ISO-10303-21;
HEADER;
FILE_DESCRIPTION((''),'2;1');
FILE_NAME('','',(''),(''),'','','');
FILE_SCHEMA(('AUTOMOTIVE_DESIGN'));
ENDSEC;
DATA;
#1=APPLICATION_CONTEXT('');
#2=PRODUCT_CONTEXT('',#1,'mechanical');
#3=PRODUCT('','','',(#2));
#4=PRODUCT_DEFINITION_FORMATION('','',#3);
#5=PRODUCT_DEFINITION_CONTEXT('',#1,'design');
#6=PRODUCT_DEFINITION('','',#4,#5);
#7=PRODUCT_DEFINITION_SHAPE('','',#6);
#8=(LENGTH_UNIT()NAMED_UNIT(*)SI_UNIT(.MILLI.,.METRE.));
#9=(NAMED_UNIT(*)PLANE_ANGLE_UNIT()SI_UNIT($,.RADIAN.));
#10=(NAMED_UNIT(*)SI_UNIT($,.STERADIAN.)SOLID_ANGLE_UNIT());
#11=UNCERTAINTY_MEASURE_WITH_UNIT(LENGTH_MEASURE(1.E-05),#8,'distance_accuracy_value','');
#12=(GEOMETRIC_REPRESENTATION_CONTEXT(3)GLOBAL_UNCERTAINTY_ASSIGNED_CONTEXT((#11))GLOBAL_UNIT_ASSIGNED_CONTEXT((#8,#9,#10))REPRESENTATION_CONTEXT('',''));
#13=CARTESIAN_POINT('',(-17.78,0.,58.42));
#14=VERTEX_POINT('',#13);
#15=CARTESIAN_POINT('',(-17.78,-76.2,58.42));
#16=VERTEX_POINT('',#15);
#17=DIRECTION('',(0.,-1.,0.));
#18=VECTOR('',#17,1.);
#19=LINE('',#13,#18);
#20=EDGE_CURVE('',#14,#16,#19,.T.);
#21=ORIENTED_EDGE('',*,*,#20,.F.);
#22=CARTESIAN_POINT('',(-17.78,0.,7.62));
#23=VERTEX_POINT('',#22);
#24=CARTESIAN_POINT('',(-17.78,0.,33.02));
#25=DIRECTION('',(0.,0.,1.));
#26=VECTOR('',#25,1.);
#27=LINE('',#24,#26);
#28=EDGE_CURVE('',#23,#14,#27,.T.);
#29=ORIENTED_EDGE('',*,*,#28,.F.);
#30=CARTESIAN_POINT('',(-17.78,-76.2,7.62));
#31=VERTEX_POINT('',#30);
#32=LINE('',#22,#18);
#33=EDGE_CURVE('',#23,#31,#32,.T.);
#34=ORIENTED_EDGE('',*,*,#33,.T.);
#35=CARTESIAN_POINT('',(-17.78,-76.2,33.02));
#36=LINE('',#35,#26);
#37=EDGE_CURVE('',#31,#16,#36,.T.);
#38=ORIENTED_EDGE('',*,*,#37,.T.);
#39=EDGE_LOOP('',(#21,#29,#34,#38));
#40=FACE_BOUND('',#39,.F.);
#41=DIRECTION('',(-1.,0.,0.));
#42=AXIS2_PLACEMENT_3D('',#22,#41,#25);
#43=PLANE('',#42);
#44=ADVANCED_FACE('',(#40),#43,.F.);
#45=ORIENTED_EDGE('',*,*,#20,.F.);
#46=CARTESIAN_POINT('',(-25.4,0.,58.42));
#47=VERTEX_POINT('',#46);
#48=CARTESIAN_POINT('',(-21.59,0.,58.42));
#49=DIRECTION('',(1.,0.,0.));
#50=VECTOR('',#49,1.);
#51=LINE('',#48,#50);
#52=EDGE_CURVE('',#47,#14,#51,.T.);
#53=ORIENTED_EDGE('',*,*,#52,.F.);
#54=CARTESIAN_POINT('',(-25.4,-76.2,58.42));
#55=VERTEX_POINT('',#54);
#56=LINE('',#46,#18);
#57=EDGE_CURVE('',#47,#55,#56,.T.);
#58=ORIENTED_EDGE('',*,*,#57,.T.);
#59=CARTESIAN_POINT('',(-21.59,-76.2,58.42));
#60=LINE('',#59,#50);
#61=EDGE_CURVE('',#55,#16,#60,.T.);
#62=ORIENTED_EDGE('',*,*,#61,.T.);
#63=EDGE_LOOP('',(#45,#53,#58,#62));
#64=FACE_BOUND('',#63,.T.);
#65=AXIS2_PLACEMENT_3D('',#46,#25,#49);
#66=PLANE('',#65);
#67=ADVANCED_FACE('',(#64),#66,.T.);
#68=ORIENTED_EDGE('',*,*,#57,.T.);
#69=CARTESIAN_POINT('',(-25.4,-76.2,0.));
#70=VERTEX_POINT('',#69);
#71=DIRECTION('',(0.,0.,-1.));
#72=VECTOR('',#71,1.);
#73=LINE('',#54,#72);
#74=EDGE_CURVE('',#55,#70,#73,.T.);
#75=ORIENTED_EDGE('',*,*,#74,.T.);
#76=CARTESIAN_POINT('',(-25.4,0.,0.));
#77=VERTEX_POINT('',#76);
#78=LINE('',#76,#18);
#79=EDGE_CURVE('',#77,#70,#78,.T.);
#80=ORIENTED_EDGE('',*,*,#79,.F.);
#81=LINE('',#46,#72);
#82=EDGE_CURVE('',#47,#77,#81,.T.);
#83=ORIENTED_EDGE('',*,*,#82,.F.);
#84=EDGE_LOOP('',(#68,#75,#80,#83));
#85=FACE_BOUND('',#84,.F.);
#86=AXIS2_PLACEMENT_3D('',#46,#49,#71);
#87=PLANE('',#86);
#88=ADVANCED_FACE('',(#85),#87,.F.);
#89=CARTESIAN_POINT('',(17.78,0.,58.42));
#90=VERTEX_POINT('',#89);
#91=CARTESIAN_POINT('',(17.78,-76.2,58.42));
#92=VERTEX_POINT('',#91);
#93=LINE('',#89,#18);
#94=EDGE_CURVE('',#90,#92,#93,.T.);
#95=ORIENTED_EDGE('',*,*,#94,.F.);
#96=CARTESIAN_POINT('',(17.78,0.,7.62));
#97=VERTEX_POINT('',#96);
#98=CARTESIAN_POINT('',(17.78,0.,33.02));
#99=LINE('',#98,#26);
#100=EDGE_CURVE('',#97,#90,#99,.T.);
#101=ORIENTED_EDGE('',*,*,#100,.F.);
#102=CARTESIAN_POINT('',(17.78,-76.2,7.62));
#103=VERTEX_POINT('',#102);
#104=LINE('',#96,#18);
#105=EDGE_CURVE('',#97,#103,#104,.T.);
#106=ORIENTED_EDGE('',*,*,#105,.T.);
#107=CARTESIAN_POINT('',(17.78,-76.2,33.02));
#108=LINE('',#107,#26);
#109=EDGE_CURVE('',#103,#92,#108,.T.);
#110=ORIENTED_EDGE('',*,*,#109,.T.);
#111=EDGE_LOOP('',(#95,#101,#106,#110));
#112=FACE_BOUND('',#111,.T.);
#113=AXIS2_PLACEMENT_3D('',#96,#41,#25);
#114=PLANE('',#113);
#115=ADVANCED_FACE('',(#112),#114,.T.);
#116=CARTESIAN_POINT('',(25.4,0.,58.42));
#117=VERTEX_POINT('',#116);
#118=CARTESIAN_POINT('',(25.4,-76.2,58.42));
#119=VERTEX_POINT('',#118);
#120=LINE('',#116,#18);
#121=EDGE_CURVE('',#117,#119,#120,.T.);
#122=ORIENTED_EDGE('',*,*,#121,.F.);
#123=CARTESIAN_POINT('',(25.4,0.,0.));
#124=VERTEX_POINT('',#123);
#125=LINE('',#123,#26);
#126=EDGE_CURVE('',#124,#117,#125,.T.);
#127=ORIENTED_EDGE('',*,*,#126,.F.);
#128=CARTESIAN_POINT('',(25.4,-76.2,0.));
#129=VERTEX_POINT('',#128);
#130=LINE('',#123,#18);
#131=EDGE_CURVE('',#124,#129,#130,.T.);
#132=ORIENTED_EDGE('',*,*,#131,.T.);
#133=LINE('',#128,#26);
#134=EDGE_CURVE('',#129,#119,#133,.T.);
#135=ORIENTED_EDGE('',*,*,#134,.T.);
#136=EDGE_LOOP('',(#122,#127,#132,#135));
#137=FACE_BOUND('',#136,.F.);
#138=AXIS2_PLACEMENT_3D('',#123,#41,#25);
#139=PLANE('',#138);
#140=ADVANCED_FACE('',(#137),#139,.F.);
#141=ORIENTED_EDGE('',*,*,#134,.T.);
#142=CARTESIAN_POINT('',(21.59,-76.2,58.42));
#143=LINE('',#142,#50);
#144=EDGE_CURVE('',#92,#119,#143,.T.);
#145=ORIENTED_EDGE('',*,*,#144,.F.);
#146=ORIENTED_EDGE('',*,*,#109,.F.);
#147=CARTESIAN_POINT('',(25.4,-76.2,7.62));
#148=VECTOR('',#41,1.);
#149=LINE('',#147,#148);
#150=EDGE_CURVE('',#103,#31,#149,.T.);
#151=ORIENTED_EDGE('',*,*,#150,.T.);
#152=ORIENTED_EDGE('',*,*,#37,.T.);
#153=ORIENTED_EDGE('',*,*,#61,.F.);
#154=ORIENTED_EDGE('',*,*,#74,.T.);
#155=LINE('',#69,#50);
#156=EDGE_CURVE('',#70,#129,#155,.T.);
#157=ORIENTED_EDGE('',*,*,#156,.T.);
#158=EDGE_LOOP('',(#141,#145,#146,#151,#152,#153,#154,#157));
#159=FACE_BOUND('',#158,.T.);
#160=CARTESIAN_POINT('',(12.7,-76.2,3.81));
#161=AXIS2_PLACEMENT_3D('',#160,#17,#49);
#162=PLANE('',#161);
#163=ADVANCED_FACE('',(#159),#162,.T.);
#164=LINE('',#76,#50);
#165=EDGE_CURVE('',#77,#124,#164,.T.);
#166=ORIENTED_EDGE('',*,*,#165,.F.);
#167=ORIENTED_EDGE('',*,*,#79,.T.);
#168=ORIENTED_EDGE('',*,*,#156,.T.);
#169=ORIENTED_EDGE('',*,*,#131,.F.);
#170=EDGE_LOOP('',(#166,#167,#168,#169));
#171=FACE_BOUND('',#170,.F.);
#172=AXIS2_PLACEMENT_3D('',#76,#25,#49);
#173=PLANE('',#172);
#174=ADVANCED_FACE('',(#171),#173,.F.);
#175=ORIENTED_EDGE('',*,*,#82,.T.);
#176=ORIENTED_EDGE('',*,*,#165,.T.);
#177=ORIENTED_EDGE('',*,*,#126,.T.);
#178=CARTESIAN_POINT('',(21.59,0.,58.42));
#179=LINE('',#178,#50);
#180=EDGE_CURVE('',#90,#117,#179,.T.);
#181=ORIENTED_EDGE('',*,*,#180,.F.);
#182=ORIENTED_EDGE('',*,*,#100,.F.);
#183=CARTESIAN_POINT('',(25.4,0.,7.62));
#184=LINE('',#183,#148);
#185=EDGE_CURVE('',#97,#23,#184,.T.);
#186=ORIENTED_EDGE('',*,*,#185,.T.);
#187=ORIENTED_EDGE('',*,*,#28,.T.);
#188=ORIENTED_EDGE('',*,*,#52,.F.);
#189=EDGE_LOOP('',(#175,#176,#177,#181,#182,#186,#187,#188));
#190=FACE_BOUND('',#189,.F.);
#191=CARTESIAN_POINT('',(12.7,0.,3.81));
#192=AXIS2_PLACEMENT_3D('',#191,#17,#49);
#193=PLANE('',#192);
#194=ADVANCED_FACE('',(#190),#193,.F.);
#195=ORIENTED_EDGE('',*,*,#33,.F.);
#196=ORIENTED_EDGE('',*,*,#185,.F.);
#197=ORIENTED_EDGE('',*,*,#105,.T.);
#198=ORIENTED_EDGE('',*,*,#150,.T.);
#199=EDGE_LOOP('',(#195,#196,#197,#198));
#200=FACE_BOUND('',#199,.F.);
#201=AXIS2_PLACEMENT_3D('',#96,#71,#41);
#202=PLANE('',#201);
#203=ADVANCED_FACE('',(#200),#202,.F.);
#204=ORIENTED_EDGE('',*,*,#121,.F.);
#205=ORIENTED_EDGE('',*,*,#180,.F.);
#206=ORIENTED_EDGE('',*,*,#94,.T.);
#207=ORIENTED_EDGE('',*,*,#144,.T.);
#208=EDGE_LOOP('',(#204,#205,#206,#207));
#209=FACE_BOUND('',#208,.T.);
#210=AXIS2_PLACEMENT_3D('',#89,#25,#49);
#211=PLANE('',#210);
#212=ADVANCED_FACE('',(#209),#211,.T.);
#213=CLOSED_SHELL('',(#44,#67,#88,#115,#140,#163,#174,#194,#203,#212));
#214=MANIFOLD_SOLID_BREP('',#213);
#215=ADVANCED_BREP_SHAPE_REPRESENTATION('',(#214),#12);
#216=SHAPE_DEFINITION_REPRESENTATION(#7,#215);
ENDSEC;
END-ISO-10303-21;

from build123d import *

# Parameters (mm, degrees)
F0_W     = 7.62
F0_H     = 50.8
F1_DEPTH = 76.2


with BuildPart() as f1:
    # F0 (on Front) → F1 (new body)
    with BuildSketch(Plane.XZ):
        Polygon((0, 7.62), (0, 0), (25.4, 0), (25.4, 7.62), (17.78, 7.62), align=None)
        Polygon((-25.4, 0), (0, 0), (0, 7.62), (-17.78, 7.62), (-25.4, 7.62), align=None)
        with Locations((21.59, 33.02)):
            Rectangle(F0_W, F0_H)
        with Locations((-21.59, 33.02)):
            Rectangle(F0_W, F0_H)
    extrude(amount=F1_DEPTH)


solid = f1.part
